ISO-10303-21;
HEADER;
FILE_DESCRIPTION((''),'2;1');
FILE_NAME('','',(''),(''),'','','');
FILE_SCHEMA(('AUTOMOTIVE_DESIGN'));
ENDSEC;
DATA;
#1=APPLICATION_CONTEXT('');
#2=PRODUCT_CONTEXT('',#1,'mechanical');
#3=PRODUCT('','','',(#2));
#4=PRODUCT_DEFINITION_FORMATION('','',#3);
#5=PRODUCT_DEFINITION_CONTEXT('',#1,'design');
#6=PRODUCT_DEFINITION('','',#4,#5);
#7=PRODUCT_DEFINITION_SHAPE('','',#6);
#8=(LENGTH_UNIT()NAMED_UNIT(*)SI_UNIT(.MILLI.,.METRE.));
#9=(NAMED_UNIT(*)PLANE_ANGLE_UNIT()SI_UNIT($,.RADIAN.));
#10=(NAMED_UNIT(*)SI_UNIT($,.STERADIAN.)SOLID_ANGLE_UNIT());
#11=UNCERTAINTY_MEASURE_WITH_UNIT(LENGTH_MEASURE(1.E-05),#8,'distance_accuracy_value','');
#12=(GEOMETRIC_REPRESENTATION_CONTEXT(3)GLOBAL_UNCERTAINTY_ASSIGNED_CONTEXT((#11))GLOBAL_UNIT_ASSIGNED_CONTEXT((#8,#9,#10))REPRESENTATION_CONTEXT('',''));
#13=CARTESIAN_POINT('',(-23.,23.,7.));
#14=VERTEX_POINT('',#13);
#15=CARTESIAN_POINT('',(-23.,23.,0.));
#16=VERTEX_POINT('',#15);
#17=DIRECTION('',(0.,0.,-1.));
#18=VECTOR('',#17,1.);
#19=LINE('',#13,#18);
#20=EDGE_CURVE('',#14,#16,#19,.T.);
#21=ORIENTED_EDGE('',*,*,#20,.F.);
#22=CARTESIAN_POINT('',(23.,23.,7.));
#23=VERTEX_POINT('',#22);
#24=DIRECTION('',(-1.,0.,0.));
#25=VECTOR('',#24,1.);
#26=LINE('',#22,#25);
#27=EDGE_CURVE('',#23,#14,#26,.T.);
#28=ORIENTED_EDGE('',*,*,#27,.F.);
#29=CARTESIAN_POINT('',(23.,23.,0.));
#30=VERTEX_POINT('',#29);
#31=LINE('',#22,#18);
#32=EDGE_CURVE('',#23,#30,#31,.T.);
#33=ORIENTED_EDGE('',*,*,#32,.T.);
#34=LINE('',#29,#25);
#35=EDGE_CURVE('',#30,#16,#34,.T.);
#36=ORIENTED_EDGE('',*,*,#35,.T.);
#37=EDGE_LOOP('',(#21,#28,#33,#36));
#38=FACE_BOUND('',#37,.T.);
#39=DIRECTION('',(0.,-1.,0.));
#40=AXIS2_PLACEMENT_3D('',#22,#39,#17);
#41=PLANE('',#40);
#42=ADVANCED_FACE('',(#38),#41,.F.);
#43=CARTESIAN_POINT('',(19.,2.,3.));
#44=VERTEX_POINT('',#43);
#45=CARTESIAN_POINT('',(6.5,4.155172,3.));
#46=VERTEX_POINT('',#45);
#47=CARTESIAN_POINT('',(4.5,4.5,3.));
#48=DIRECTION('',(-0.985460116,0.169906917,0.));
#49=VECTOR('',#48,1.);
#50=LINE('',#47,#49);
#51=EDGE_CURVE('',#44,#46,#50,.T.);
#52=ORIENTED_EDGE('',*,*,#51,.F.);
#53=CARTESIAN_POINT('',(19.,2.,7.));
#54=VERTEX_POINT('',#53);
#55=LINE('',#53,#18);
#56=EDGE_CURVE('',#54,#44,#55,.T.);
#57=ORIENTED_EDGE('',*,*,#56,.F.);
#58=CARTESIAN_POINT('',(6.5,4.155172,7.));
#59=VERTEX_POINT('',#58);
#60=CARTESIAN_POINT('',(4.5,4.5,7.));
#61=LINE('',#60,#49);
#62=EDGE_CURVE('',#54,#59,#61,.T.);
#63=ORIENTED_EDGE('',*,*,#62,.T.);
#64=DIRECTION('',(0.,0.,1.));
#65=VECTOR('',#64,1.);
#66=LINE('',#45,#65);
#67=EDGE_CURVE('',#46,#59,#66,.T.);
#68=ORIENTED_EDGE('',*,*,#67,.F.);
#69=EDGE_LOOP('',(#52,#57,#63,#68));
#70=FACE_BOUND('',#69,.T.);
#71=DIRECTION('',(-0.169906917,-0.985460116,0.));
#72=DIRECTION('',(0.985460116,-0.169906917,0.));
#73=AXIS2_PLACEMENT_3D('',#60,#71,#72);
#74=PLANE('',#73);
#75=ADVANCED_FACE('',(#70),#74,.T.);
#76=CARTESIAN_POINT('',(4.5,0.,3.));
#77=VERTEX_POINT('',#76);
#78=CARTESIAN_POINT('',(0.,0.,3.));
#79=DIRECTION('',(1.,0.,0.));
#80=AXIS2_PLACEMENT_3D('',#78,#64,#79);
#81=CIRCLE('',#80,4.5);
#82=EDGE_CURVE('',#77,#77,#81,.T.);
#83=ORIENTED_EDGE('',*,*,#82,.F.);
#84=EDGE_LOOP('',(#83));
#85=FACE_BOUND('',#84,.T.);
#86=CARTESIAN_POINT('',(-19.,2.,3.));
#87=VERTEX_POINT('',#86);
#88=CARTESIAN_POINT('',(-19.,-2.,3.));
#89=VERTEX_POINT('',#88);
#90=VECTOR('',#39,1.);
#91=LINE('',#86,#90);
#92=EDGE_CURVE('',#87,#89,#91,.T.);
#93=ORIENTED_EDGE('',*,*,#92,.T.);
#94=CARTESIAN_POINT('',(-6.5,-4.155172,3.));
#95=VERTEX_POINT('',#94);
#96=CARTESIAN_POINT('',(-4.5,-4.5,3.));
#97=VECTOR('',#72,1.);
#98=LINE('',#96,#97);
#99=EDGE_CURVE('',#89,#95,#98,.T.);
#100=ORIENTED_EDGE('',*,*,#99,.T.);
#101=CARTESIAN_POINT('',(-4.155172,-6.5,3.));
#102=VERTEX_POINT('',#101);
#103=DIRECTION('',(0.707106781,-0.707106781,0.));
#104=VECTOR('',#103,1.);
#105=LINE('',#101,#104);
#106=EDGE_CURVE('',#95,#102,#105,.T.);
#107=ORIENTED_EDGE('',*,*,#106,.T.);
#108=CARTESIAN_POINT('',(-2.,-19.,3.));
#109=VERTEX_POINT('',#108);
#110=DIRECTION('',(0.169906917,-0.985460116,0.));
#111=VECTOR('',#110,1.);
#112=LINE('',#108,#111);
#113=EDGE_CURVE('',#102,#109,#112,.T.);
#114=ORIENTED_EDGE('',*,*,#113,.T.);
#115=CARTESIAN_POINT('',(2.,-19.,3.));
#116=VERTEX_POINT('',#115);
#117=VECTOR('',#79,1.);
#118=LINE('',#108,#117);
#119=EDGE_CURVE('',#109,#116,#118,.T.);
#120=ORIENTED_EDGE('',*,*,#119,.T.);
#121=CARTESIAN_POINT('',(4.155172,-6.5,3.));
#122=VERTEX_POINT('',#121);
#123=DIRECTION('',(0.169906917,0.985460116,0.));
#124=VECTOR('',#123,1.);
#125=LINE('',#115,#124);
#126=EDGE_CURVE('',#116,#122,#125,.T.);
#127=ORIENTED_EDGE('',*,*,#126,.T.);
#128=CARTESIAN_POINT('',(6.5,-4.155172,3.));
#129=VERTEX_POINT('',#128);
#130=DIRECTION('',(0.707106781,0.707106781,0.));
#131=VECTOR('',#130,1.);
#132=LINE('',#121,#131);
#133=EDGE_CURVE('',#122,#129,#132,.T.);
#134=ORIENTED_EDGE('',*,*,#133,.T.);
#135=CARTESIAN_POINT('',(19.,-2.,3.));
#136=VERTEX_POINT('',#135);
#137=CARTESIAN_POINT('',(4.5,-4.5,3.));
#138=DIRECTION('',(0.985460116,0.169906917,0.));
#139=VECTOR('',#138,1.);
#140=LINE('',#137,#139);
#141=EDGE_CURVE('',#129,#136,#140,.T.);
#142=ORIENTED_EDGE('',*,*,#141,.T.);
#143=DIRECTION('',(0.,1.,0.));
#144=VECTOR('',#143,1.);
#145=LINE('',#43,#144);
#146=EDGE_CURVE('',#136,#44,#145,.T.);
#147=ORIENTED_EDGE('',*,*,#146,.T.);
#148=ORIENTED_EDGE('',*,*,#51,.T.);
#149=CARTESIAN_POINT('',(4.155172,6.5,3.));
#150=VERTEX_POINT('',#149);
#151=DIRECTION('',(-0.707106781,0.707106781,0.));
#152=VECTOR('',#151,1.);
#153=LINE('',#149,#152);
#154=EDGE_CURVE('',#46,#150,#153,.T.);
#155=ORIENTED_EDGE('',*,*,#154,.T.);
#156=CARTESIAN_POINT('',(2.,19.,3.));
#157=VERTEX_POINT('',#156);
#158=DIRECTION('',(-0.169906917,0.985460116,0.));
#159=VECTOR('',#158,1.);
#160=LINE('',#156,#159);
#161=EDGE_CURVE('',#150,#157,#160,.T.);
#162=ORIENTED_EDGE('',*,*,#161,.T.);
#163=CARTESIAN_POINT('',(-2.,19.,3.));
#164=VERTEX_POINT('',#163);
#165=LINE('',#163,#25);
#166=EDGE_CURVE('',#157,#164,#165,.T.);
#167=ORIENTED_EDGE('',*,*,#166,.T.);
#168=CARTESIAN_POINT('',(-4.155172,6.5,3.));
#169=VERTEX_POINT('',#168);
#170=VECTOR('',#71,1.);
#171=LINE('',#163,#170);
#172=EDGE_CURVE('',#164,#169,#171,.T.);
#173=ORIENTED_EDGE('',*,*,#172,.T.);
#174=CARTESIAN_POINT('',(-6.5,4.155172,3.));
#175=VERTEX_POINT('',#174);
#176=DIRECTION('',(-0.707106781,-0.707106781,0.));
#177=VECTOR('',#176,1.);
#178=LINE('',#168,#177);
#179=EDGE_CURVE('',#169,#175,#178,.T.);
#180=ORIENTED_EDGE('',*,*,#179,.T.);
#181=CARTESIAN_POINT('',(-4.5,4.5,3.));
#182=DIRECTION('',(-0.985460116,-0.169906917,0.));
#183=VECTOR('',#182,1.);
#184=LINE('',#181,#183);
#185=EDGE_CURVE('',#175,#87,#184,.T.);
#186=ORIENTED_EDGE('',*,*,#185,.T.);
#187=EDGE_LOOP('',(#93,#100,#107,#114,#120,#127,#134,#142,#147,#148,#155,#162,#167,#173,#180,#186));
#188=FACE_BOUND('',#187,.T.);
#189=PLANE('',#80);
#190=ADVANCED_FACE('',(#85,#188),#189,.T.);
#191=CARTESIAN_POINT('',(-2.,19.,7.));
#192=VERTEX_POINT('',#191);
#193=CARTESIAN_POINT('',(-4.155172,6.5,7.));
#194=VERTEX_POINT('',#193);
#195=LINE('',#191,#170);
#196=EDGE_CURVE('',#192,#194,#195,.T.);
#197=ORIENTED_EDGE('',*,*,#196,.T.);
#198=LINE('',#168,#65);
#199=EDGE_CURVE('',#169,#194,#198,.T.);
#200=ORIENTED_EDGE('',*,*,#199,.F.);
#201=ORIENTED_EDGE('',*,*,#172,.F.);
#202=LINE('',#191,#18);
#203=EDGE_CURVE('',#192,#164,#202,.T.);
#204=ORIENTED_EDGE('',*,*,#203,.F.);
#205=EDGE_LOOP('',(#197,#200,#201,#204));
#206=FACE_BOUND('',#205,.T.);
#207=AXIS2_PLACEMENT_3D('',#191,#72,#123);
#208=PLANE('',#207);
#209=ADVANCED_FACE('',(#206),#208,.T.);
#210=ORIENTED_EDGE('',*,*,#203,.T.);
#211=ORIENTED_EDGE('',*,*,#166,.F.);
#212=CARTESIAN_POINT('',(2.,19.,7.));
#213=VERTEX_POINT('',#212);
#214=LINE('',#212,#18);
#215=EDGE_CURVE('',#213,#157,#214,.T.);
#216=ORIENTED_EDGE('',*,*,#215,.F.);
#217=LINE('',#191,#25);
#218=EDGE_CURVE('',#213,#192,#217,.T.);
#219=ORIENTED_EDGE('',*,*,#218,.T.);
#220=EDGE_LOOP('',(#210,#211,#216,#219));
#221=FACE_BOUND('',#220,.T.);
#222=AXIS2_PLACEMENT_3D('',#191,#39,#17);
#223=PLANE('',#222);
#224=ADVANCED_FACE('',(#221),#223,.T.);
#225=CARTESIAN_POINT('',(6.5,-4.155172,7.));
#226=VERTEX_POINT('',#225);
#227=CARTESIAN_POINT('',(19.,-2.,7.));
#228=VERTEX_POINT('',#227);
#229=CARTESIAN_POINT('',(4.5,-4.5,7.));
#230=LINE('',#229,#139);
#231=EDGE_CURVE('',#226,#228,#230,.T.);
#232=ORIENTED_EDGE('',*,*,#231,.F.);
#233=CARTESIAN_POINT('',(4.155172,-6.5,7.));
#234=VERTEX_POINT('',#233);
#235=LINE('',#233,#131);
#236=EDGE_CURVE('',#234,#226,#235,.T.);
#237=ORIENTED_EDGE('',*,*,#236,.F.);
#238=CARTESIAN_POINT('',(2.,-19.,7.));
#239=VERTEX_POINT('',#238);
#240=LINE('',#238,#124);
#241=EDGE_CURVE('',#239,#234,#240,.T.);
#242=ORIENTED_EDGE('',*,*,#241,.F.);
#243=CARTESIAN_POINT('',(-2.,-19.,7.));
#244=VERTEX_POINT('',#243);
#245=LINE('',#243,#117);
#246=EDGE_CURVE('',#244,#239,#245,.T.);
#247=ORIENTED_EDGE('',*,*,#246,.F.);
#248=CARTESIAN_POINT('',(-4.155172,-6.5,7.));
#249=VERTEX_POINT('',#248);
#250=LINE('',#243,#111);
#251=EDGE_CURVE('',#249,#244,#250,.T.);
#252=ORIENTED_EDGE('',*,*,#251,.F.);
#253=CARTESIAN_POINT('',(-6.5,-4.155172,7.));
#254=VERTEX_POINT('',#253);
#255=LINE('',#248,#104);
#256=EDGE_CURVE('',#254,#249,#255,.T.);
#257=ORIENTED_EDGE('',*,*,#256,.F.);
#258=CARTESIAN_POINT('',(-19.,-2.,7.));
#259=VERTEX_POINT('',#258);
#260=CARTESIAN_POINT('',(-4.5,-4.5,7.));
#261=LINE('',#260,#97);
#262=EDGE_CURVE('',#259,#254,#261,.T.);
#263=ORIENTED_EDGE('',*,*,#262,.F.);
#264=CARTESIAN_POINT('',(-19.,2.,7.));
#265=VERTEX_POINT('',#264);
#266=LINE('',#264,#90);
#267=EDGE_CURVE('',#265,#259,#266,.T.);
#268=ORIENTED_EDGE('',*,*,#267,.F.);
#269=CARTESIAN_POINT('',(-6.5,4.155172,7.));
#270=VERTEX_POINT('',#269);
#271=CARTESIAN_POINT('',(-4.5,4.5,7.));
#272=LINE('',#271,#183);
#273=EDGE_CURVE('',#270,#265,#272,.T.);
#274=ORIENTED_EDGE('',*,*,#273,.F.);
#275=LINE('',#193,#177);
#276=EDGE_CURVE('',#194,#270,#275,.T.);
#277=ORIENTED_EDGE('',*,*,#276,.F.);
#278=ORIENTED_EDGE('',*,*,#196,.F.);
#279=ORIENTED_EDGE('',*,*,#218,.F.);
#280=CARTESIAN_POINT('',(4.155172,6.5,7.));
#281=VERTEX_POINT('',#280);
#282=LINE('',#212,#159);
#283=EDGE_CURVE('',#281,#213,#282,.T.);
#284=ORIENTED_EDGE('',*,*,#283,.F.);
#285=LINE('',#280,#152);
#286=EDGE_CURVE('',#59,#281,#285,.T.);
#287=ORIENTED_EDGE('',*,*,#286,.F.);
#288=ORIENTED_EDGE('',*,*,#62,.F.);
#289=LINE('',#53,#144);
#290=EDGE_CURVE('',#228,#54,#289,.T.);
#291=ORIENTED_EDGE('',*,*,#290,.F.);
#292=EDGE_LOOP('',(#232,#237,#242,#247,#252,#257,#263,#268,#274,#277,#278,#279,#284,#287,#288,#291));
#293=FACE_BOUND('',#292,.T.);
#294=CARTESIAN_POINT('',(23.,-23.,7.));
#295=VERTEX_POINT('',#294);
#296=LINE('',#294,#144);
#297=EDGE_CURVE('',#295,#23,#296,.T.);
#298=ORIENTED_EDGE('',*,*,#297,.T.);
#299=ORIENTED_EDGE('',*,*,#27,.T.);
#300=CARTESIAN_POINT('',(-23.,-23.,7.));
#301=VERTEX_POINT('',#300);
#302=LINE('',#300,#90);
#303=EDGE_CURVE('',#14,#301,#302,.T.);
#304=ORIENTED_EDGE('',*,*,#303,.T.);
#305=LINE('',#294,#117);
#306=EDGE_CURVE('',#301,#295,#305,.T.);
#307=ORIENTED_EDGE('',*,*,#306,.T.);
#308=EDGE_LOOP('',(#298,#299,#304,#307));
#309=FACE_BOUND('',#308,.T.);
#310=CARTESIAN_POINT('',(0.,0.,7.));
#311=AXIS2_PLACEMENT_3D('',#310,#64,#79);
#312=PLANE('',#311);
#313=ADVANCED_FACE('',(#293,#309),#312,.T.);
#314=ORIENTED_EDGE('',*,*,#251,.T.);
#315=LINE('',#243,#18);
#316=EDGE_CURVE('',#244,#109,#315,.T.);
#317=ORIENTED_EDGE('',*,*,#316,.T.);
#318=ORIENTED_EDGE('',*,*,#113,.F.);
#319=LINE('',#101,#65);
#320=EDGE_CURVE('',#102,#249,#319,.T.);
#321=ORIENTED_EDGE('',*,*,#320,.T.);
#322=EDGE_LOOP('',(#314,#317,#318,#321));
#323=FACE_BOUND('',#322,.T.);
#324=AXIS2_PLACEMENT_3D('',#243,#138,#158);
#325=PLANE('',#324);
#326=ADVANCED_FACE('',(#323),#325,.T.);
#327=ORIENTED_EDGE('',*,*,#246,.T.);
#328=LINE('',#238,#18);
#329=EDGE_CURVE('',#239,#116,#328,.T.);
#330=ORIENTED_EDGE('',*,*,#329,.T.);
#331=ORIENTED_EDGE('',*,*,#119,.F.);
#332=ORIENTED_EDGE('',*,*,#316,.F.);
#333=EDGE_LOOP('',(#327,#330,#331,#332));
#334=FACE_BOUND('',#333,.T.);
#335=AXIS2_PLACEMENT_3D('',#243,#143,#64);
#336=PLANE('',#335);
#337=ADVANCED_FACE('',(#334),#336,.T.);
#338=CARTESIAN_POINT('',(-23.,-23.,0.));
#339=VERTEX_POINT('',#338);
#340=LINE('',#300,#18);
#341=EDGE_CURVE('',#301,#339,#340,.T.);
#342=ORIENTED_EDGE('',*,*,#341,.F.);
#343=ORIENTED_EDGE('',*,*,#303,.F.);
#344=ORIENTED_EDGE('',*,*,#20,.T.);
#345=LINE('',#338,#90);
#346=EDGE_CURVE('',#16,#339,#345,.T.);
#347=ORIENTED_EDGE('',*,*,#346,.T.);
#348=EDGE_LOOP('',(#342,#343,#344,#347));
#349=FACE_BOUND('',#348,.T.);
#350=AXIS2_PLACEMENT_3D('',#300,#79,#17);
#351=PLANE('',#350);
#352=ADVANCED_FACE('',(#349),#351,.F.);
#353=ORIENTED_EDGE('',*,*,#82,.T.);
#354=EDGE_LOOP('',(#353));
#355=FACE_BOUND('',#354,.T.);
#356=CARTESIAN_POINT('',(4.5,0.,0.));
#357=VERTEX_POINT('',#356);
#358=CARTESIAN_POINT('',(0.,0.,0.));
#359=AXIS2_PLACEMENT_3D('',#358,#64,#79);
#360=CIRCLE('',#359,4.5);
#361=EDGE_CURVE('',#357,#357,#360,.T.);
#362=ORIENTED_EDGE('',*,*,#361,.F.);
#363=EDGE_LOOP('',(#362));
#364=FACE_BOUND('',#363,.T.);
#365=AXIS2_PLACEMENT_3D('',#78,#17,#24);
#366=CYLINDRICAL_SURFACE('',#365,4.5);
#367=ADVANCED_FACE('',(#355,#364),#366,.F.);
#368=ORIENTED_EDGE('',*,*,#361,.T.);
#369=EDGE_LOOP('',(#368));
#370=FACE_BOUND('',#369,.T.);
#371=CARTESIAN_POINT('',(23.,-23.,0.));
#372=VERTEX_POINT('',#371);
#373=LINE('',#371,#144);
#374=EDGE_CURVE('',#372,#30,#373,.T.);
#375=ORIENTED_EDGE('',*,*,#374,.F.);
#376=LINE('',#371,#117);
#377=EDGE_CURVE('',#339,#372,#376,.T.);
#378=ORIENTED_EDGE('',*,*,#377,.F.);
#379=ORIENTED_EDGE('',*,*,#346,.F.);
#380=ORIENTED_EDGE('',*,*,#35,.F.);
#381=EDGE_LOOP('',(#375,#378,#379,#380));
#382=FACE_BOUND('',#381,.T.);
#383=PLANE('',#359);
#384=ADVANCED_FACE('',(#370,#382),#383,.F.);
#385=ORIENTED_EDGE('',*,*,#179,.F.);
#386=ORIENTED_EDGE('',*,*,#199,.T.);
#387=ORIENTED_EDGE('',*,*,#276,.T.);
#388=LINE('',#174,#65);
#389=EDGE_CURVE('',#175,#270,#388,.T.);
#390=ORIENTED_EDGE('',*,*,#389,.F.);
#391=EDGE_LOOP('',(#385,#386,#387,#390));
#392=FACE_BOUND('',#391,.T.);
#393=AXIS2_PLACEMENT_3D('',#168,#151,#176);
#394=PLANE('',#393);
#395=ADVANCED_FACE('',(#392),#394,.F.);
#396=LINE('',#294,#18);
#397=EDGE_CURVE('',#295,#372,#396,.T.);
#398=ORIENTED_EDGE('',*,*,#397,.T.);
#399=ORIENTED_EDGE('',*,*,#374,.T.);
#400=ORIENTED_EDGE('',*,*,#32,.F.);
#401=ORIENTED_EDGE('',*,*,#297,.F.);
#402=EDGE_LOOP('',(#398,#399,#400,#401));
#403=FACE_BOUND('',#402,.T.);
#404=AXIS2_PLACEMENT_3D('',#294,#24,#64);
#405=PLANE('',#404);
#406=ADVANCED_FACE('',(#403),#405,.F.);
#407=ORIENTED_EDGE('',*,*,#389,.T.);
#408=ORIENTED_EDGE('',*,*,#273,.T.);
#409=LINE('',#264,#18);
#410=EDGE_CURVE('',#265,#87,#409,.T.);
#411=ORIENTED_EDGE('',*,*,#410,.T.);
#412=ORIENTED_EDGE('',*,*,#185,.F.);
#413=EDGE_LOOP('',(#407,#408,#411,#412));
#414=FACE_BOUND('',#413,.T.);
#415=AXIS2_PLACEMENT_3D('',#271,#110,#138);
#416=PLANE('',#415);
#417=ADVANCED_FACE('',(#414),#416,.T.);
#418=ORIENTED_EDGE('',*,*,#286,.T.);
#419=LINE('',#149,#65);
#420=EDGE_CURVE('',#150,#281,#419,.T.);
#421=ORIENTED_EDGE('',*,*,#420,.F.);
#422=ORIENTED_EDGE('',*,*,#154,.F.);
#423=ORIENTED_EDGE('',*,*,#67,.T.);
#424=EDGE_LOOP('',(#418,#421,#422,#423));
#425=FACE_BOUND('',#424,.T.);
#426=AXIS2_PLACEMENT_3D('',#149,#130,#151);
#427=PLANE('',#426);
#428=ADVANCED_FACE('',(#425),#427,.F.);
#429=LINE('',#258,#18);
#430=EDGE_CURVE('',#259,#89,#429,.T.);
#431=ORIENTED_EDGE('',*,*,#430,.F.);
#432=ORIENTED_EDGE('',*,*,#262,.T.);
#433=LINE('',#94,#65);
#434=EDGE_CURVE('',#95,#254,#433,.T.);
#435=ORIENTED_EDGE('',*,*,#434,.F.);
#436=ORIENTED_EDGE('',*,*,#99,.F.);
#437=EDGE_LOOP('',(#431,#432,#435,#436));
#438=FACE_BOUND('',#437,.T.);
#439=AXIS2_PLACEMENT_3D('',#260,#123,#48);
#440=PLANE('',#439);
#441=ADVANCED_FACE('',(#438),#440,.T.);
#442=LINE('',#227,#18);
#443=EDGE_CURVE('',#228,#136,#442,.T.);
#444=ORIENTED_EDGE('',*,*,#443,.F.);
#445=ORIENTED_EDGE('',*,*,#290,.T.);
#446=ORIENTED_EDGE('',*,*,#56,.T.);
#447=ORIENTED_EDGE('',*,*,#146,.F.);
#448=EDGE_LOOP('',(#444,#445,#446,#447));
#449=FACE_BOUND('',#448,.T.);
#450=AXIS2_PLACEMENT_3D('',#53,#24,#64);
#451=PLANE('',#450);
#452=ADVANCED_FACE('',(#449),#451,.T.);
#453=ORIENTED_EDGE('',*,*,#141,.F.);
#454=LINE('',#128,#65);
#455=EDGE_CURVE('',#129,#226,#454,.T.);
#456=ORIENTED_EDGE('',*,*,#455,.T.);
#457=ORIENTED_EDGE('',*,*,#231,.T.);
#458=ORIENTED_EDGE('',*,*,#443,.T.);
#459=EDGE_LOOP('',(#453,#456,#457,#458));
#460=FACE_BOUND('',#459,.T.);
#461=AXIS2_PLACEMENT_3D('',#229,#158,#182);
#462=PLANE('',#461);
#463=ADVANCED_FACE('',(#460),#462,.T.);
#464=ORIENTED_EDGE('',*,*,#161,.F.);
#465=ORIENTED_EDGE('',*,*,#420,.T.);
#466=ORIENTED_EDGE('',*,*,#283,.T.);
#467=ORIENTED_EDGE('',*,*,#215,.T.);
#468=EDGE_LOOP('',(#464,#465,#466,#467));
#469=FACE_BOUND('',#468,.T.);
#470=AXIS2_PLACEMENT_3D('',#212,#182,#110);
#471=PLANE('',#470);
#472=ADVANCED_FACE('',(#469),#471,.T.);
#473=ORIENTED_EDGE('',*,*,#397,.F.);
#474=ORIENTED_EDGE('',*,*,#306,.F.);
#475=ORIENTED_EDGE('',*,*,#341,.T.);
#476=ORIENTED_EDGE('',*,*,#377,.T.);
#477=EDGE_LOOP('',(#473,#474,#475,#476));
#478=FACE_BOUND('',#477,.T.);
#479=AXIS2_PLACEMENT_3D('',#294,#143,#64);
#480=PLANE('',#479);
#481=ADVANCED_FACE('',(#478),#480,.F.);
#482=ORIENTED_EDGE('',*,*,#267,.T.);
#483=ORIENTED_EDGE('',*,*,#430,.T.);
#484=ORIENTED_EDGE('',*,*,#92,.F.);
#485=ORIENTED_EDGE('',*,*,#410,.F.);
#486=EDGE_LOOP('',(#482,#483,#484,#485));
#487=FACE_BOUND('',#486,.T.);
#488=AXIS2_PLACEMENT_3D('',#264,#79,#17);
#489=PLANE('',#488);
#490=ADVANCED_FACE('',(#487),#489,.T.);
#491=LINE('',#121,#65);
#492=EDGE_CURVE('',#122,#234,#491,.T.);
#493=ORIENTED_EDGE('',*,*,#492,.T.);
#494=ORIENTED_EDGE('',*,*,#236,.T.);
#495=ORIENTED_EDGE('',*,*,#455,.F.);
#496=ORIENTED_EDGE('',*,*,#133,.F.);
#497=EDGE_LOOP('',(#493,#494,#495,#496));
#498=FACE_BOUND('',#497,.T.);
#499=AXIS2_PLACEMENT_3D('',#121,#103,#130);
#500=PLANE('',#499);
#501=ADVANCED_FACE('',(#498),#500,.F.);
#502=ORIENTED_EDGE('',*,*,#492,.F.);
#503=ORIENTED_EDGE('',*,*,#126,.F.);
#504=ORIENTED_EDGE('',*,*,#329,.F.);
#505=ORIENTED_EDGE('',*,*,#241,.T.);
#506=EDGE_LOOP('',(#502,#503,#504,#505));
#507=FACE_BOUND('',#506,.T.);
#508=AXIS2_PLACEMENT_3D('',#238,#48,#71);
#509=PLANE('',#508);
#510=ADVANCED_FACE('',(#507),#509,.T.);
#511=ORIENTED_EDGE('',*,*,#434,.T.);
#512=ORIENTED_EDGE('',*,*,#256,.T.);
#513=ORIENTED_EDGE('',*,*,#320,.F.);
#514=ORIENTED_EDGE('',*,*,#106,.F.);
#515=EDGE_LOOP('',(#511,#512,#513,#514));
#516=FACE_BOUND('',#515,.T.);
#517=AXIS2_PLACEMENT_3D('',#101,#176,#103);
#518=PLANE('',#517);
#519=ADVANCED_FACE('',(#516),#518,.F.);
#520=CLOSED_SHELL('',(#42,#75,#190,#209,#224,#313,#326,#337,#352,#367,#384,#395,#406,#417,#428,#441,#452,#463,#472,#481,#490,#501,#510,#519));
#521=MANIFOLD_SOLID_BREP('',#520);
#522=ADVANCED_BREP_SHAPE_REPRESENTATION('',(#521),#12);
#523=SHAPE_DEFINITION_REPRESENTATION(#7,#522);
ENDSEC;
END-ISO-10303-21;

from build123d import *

# Parameters (mm, degrees)
SKETCH1_W           = 46
SKETCH1_H           = 46
BOSS_EXTRUDE1_DEPTH = 7
SKETCH2_W           = 46
SKETCH2_H           = 46
BOSS_EXTRUDE2_DEPTH = 3
SKETCH3_R           = 4.5
CUT_EXTRUDE1_DEPTH  = 3
CUT_EXTRUDE2_DEPTH  = 4


with BuildPart() as part:
    # Sketch1 → Boss-Extrude1 (new body)
    with BuildSketch(Plane.XY):
        Rectangle(SKETCH1_W, SKETCH1_H)
        Polygon((-2, 19), (2, 19), (4.5, 4.5), (19, 2), (19, -2), (4.5, -4.5), (2, -19), (-2, -19), (-4.5, -4.5), (-19, -2), (-19, 2), (-4.5, 4.5), align=None, mode=Mode.SUBTRACT)
    extrude(amount=BOSS_EXTRUDE1_DEPTH)

    # Sketch2 → Boss-Extrude2 (add)
    with BuildSketch(Plane.XY):
        Rectangle(SKETCH2_W, SKETCH2_H)
    extrude(amount=BOSS_EXTRUDE2_DEPTH)

    # Sketch3 → Cut-Extrude1 (cut)
    with BuildSketch(Plane.XY):
        Circle(SKETCH3_R)
    extrude(amount=CUT_EXTRUDE1_DEPTH, mode=Mode.SUBTRACT)

    # Sketch4 → Cut-Extrude2 (cut)
    with BuildSketch(Plane.XY.offset(7)):
        Polygon((-4.155172414, 6.5), (-6.5, 4.155172414), (-6.5, -4.155172414), (-4.155172414, -6.5), (4.155172414, -6.5), (6.5, -4.155172414), (6.5, 4.155172414), (4.155172414, 6.5), align=None)
    extrude(amount=-CUT_EXTRUDE2_DEPTH, mode=Mode.SUBTRACT)


solid = part.part
